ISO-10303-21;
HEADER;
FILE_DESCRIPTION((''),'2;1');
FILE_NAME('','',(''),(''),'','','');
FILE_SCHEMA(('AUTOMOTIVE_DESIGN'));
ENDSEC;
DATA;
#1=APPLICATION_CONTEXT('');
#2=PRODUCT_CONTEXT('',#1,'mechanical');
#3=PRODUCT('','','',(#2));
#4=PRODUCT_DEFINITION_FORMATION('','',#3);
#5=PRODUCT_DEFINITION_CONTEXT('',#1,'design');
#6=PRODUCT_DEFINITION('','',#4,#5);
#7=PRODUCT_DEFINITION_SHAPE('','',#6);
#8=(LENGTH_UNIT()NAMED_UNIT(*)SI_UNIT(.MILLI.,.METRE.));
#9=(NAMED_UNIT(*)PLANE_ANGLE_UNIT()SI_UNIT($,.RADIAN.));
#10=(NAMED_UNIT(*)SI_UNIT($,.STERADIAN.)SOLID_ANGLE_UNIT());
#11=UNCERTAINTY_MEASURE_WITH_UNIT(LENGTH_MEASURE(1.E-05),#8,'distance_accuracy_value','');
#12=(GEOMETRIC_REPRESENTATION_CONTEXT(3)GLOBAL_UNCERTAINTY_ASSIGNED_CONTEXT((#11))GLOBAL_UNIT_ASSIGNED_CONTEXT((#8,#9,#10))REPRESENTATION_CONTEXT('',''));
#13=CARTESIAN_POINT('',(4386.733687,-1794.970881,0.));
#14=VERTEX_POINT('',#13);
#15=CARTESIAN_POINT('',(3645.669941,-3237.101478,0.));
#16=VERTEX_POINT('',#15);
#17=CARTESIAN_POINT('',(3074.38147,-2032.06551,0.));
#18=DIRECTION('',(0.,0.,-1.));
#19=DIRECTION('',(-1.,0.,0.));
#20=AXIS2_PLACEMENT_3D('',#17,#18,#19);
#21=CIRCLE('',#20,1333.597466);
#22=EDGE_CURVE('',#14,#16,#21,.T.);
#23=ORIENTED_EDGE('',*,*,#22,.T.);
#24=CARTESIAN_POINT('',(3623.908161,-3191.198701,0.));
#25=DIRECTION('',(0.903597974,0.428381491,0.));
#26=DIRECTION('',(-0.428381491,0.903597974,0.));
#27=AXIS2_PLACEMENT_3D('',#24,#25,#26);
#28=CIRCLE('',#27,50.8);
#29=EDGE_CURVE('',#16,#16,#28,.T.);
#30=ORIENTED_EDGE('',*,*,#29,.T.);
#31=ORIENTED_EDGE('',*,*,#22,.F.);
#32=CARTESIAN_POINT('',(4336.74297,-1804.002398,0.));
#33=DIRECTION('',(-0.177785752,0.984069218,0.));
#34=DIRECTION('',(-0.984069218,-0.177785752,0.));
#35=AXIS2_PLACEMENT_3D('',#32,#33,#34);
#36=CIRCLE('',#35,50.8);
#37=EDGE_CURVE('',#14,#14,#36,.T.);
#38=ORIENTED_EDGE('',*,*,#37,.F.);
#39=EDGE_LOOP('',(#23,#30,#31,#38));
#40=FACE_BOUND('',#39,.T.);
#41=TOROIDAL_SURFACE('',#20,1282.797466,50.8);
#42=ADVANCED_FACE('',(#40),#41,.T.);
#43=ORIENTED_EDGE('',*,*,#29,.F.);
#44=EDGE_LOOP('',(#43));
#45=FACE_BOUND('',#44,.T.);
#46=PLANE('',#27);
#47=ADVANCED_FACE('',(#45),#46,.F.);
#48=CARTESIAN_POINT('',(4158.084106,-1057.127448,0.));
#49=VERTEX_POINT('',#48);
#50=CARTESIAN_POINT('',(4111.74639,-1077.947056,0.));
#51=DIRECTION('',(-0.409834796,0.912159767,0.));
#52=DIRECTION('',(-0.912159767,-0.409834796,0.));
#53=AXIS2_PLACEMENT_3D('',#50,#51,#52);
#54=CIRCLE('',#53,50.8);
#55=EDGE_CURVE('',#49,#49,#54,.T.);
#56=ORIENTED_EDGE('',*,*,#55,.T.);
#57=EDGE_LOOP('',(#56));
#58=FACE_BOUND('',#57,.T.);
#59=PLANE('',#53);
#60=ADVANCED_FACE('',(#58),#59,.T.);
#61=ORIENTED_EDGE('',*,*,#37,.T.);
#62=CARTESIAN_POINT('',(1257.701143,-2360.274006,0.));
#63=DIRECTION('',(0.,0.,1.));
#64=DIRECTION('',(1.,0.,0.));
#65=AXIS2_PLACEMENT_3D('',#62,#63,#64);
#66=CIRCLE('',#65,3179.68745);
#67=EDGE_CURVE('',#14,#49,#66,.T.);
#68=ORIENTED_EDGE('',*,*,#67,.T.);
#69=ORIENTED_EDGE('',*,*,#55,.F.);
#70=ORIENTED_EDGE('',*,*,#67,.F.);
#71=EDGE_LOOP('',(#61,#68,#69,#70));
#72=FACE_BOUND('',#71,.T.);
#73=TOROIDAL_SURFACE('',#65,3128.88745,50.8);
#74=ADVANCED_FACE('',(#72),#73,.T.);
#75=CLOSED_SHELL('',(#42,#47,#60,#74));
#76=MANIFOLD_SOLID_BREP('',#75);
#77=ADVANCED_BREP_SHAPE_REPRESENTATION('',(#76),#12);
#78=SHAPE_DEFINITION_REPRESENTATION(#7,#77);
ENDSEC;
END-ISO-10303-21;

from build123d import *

# Parameters (mm, degrees)
SKETCH3_R = 50.8


with BuildPart() as part:
    # Sweep1: sweep along a path in Sketch1
    with BuildLine(Plane.XY) as sweep1_path:
        ThreePointArc((3623.908161215, -3191.198701302), (4215.351715528, -2618.372800712), (4336.742970382, -1804.002397535))
        ThreePointArc((4336.742970382, -1804.002397535), (4246.374702801, -1434.116875515), (4111.746389716, -1077.947055764))
    # Sketch3 → Sweep1 (sweep)
    with BuildSketch(Plane(origin=(1723.618209485, 817.140099, 0), x_dir=(0, 0, -1), z_dir=(0.9035979739240201, 0.4283814906370325, 0))):
        with Locations((0, -4435.975860919)):
            Circle(SKETCH3_R)
    sweep(path=sweep1_path.line)


solid = part.part
